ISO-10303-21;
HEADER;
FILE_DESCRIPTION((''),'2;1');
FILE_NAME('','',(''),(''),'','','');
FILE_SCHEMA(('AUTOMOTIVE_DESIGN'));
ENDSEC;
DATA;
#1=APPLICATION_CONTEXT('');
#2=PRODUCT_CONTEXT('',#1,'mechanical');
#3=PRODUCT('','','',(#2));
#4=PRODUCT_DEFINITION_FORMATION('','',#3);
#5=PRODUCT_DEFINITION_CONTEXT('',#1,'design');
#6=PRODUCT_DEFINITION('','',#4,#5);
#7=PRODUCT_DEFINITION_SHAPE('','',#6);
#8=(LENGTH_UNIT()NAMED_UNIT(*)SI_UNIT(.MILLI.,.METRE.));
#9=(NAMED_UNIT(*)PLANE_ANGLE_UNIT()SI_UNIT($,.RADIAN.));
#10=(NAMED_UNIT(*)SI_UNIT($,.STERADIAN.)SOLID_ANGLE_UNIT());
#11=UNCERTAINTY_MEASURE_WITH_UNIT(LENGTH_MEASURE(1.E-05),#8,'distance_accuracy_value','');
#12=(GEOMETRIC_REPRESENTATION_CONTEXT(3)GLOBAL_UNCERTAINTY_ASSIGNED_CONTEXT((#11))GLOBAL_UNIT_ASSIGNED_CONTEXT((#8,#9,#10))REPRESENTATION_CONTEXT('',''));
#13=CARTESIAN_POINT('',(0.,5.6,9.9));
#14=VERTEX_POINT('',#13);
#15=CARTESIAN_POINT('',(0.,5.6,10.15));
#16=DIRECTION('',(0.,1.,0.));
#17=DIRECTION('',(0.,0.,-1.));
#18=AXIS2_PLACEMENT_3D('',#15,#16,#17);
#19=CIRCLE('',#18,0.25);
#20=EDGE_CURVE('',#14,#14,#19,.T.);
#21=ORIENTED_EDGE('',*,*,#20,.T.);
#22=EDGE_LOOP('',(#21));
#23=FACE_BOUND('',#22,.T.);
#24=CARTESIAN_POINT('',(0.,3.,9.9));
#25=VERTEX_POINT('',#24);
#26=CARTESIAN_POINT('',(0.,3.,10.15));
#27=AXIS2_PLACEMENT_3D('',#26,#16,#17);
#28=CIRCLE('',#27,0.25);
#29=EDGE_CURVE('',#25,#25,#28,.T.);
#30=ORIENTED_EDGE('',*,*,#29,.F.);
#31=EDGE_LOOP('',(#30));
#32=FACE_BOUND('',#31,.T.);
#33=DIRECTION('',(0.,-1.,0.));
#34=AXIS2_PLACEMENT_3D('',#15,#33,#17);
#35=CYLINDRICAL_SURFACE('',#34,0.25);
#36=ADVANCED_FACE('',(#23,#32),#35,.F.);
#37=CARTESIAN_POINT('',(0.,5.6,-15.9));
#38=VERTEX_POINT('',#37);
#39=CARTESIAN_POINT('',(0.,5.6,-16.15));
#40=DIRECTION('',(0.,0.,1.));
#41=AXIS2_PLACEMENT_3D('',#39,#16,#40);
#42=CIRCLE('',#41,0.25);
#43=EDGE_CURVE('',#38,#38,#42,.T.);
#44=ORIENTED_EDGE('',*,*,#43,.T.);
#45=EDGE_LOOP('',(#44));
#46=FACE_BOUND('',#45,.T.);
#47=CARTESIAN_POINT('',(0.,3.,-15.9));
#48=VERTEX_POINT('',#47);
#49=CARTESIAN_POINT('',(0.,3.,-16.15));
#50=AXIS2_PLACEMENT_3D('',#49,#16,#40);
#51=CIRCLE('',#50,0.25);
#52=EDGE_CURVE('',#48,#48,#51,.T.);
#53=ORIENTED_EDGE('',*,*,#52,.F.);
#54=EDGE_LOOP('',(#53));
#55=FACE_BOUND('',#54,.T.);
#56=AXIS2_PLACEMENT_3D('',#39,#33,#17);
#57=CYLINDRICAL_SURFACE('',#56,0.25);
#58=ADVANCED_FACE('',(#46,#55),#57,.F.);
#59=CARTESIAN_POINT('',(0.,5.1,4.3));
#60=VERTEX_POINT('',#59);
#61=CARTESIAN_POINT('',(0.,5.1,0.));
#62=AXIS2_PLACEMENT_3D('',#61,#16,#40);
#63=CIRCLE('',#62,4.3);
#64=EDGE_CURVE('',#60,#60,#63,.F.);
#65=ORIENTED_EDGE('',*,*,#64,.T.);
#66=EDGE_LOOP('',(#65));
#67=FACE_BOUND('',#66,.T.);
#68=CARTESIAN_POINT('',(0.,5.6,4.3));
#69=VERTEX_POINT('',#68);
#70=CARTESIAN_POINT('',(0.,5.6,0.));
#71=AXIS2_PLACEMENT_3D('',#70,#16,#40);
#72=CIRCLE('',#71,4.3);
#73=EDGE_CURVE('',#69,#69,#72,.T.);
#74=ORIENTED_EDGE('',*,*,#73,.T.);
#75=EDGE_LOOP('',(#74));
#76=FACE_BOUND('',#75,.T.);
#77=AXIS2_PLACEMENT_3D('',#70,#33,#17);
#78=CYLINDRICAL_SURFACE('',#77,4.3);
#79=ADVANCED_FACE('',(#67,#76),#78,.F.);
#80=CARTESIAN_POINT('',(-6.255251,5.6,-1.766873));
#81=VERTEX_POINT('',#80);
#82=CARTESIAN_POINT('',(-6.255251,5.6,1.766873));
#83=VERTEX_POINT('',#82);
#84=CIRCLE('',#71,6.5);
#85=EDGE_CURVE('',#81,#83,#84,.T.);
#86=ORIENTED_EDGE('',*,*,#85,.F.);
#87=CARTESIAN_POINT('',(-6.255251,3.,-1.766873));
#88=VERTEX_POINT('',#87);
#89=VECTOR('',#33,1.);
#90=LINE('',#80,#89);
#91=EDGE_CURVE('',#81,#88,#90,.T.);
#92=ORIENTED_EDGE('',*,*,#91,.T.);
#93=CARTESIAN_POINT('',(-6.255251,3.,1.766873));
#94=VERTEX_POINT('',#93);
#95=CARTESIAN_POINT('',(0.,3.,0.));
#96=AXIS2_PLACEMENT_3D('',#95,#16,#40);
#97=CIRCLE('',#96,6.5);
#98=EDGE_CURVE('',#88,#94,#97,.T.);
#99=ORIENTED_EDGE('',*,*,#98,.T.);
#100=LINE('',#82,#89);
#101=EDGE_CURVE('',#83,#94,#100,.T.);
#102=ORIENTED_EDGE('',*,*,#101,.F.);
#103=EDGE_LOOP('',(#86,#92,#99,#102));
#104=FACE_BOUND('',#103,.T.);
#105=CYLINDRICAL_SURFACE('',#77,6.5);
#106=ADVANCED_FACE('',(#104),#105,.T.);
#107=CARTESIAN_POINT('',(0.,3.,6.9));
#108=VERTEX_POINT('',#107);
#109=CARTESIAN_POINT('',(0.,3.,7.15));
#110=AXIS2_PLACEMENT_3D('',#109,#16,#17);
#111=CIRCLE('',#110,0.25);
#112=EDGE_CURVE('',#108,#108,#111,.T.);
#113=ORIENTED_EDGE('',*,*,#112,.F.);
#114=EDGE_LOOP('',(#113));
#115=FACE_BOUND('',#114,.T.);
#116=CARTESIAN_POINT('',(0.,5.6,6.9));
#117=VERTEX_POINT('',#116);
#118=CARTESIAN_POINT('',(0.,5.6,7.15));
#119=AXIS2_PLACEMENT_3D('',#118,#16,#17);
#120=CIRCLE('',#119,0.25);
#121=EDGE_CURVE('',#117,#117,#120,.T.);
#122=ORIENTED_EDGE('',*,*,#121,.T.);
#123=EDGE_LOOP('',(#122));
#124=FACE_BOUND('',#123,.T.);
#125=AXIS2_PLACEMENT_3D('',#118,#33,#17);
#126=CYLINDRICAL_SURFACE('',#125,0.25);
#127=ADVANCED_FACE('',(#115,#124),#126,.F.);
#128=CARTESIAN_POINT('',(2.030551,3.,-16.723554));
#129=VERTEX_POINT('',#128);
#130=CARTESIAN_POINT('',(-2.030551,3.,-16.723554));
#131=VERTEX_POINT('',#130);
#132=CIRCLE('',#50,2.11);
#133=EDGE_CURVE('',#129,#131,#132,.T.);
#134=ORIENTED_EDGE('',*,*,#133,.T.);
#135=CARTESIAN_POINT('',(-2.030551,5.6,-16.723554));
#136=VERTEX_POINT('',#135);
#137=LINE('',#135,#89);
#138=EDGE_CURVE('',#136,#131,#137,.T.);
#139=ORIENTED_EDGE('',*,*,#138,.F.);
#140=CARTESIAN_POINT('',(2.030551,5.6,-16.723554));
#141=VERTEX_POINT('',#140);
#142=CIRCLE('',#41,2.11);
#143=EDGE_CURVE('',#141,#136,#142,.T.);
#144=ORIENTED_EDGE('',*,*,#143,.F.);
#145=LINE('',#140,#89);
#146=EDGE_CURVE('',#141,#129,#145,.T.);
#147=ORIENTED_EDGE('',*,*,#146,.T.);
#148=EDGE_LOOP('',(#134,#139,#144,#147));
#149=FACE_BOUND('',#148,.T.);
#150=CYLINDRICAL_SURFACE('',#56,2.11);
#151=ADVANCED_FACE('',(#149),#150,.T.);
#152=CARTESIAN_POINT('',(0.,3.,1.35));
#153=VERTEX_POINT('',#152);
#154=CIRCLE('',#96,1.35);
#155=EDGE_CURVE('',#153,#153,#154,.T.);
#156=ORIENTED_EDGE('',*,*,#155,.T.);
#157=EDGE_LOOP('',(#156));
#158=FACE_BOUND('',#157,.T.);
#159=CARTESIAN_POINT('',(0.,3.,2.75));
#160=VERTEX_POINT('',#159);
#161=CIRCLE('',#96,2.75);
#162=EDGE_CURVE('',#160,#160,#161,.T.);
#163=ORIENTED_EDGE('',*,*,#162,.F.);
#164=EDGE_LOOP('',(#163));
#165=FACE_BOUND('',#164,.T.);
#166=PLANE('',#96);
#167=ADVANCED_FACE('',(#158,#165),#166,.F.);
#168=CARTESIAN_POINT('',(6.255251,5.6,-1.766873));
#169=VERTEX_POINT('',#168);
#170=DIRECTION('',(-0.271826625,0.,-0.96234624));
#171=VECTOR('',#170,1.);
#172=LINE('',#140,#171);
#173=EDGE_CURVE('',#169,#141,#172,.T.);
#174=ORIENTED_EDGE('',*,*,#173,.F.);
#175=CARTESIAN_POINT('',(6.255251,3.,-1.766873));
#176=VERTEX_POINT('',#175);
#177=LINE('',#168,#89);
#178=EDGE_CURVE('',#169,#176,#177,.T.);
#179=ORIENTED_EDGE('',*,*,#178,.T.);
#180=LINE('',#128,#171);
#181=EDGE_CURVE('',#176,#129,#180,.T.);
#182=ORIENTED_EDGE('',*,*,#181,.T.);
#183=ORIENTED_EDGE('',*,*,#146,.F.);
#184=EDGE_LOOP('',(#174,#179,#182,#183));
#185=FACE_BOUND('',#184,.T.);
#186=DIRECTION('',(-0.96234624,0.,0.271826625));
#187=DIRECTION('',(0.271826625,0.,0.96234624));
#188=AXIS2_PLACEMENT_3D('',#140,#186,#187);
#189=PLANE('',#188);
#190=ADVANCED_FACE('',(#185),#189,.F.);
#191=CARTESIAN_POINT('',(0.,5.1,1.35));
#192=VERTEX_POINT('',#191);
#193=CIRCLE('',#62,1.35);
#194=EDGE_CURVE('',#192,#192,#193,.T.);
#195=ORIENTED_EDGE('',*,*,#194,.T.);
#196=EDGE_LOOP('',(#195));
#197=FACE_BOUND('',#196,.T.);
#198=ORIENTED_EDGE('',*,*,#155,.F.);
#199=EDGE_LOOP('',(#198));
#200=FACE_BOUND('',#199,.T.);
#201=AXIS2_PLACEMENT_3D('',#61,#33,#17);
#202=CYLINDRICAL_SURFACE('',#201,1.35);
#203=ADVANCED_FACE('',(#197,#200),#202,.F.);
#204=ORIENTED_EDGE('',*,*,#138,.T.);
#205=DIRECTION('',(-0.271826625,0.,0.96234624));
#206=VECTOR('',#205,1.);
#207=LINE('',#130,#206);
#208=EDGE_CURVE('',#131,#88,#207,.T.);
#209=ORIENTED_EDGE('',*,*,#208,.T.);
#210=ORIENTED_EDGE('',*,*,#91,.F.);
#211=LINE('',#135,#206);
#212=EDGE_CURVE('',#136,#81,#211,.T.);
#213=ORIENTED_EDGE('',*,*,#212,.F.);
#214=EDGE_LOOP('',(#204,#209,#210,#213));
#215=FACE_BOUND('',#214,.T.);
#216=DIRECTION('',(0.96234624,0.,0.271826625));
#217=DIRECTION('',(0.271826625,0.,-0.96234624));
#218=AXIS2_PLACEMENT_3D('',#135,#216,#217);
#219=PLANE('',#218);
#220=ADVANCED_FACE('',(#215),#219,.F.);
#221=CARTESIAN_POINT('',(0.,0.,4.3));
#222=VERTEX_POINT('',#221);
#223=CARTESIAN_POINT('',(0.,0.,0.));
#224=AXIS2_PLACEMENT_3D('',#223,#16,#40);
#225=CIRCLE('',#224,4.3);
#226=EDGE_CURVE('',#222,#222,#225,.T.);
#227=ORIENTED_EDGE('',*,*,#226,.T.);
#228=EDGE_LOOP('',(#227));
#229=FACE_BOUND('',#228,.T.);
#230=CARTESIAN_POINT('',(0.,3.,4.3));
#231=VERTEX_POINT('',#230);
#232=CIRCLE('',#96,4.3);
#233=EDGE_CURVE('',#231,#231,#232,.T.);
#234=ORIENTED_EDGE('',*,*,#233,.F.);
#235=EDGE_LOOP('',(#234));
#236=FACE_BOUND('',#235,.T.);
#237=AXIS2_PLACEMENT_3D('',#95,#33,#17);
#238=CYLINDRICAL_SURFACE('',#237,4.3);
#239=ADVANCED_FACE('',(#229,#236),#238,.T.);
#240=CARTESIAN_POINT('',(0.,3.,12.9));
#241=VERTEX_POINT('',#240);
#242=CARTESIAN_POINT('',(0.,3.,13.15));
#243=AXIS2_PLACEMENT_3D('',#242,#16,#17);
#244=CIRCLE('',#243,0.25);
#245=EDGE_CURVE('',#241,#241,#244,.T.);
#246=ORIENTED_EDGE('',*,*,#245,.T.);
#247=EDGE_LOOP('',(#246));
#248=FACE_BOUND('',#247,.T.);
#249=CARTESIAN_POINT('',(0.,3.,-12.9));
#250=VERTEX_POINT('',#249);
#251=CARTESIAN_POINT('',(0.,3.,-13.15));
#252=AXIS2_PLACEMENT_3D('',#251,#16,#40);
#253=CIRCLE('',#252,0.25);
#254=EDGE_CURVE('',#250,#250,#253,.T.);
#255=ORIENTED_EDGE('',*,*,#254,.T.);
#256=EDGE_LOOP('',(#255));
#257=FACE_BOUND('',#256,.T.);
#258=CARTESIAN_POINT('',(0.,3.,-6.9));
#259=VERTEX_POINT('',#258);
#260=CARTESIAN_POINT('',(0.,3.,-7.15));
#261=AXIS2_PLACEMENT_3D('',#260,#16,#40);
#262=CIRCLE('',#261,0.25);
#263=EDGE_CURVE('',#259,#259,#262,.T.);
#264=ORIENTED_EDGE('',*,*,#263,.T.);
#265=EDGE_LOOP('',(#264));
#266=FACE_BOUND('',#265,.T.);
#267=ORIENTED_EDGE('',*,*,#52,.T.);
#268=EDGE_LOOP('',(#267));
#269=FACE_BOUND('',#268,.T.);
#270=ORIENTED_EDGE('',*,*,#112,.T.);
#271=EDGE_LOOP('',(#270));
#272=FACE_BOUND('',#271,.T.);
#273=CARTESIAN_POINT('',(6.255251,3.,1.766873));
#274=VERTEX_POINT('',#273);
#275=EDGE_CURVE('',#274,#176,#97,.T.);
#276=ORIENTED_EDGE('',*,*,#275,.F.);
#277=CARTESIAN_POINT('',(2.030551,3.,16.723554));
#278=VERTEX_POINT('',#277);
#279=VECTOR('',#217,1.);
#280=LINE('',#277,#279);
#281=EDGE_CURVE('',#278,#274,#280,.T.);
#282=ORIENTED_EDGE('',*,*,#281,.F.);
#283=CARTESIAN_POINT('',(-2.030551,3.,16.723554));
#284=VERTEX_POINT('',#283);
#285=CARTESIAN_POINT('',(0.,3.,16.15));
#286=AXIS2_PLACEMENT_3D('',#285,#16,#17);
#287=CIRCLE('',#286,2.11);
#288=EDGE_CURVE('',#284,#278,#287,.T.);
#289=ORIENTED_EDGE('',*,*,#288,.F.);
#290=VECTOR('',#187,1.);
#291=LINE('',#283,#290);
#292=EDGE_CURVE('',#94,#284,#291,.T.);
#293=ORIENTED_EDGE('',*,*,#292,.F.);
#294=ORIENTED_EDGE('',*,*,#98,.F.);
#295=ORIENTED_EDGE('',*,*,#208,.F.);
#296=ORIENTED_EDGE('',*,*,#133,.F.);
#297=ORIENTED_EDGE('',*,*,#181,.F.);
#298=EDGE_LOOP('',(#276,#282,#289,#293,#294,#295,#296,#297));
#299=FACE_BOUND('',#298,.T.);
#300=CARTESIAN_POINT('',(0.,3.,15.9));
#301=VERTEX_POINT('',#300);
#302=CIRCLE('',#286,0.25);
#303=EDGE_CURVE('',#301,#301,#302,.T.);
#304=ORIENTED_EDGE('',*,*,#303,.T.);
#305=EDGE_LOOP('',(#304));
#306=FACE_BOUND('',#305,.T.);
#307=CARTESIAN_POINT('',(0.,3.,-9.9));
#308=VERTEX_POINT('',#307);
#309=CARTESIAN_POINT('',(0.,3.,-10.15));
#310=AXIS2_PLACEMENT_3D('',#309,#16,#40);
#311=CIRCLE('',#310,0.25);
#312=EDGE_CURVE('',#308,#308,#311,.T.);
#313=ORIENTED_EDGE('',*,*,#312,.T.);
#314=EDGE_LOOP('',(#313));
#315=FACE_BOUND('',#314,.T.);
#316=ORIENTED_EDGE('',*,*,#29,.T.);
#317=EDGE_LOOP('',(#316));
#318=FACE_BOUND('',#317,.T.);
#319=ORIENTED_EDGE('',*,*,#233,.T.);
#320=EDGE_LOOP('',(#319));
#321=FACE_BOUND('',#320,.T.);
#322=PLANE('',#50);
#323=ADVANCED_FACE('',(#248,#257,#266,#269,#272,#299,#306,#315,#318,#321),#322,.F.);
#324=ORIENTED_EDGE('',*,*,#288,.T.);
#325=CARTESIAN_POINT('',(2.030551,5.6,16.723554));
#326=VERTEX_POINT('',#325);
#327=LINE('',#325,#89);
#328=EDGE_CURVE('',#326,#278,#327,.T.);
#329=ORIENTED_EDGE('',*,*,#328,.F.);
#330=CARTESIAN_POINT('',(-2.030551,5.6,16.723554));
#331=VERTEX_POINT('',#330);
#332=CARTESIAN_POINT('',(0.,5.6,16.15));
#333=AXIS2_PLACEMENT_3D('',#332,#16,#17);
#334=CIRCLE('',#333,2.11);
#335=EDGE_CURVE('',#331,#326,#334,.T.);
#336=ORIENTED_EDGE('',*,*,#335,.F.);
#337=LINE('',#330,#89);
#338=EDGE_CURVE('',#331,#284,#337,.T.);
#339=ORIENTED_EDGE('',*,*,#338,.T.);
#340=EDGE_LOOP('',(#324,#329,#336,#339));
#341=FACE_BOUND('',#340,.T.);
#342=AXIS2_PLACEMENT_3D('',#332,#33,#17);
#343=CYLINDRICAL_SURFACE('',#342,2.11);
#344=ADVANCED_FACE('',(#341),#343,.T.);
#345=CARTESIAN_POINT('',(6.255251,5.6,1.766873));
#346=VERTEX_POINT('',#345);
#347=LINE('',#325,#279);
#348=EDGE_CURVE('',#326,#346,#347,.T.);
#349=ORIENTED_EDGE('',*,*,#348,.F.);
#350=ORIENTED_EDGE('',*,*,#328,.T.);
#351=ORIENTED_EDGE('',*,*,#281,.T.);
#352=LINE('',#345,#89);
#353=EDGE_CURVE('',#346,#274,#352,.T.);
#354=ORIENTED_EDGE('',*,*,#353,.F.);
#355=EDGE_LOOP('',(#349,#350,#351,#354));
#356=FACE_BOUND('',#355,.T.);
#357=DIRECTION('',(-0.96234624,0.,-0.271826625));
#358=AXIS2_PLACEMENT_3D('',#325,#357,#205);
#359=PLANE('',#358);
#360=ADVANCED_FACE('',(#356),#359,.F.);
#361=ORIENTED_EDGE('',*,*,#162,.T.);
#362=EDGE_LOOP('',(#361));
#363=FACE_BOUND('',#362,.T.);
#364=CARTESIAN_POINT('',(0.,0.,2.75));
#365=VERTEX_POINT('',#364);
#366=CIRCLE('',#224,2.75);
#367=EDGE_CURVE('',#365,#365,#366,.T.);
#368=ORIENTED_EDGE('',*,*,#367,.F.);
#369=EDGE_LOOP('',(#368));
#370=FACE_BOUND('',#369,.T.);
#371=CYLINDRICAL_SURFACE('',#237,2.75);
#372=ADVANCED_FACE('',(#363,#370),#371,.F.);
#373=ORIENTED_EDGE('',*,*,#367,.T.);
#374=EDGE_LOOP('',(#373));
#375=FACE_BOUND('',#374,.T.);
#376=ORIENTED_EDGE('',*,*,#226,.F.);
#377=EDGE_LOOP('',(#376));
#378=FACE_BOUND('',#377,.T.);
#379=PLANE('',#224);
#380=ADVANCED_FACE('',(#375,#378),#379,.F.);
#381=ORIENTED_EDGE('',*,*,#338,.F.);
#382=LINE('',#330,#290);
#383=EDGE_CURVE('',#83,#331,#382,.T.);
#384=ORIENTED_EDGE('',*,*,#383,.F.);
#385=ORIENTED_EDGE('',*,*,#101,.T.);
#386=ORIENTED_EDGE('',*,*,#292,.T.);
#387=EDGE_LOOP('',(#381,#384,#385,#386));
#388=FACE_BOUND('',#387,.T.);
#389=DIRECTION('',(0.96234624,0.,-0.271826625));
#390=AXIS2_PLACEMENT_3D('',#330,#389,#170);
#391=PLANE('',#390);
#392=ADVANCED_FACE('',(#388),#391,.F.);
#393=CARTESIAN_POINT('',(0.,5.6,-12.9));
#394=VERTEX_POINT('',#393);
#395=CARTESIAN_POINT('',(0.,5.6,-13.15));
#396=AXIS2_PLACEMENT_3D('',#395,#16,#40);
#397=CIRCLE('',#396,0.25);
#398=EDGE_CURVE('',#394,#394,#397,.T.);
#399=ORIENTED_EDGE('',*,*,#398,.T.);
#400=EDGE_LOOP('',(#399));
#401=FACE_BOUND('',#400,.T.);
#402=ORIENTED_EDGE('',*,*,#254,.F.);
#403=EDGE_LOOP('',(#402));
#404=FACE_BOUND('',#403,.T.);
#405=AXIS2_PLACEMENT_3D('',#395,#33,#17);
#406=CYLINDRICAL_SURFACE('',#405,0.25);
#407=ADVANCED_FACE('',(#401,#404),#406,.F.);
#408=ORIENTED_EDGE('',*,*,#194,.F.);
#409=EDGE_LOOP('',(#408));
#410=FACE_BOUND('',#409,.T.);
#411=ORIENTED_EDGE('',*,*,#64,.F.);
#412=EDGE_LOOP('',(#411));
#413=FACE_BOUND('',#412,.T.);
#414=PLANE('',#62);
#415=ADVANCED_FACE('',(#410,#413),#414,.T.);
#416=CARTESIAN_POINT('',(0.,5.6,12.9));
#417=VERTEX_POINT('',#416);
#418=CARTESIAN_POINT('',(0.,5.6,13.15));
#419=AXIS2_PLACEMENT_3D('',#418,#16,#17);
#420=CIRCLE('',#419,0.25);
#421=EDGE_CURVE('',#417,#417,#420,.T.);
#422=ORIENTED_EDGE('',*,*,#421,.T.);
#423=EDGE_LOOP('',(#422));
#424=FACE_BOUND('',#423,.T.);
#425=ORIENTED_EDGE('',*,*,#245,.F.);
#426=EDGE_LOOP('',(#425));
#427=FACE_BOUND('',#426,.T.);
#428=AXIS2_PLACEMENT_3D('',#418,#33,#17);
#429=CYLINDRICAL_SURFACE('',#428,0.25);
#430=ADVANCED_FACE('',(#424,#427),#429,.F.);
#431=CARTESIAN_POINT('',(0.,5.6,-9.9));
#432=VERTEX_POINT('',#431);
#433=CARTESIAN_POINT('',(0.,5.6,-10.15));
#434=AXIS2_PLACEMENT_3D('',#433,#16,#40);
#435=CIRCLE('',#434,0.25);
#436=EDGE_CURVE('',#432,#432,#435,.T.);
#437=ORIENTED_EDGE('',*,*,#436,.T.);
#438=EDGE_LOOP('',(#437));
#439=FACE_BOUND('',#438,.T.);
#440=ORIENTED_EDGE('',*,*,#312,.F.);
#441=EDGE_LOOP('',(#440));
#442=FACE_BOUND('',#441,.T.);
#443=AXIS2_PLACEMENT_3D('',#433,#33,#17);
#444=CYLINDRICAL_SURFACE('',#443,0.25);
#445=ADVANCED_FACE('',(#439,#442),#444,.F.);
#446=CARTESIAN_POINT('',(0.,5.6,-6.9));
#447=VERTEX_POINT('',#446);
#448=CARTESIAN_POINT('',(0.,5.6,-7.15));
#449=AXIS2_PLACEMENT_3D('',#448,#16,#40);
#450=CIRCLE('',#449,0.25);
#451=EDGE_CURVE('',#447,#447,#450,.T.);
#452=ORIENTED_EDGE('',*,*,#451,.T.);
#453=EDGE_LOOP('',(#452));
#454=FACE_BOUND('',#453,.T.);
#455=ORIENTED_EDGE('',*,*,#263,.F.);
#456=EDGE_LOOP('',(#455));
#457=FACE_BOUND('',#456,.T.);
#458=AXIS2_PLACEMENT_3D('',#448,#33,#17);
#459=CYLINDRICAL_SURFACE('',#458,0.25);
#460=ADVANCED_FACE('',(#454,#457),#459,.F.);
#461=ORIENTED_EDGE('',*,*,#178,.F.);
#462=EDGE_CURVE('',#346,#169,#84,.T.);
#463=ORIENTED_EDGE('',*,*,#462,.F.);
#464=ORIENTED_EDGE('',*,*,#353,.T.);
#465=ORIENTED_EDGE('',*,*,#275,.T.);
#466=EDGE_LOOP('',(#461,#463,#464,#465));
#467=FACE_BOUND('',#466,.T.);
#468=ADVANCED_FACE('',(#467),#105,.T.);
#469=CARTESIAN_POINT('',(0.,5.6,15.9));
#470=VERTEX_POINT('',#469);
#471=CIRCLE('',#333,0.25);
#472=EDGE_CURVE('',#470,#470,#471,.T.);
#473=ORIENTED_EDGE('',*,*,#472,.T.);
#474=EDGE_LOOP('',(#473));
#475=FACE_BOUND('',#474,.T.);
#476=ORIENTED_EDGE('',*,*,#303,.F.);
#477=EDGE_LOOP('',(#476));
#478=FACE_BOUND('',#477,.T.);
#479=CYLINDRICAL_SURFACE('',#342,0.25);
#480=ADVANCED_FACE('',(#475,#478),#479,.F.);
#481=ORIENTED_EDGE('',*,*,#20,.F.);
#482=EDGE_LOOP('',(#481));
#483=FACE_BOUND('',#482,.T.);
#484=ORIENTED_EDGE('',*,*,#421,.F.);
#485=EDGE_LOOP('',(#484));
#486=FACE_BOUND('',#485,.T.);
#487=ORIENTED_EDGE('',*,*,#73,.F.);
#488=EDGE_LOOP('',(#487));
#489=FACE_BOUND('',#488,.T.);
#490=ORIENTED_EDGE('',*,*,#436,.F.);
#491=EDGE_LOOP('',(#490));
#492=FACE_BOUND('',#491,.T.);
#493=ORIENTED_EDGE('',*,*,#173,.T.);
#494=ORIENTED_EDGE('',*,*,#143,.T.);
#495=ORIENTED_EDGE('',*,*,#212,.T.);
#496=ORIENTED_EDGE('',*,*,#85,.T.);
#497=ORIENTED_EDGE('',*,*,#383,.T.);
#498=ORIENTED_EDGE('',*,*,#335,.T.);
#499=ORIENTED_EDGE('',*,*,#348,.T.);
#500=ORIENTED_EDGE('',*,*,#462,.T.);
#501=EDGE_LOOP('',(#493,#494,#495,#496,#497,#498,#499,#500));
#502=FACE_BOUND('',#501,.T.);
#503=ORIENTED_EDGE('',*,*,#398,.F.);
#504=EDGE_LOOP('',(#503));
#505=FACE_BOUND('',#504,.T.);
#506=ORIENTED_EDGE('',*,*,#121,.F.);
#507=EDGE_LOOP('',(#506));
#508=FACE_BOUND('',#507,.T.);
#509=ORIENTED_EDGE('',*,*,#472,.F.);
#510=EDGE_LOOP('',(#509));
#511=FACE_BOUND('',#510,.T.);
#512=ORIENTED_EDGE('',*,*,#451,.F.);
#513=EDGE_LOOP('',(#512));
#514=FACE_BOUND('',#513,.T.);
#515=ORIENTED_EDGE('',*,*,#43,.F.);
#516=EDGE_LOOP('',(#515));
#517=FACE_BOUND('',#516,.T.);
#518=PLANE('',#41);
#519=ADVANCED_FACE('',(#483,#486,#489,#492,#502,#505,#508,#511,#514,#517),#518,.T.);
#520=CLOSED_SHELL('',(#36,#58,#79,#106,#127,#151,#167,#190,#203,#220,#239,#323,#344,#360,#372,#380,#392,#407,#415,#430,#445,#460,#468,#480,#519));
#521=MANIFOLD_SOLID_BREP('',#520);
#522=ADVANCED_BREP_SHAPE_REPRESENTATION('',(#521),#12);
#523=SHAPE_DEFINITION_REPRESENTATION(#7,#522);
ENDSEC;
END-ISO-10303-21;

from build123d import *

# Parameters (mm, degrees)
SKETCH2_R                = 4.3
SKETCH2_R_2              = 2.75
BOSS_EXTRUDE1_DEPTH      = 3
SKETCH3_R                = 4.3
SKETCH3_R_2              = 1.35
BOSS_EXTRUDE2_DEPTH      = 2.1
BOSS_EXTRUDE3_DEPTH      = 0.5
BOSS_EXTRUDE3_DEPTH_BACK = 2.1
SKETCH4_R                = 4.3
SKETCH4_R_2              = 0.25


with BuildPart() as part:
    # Sketch2 → Boss-Extrude1 (new body)
    with BuildSketch(Plane(origin=(0, 0, 0), x_dir=(1, 0, 0), z_dir=(0, 1, 0))):
        with Locations(Location((0, 0, 0), (0, 0, 270))):
            Circle(SKETCH2_R)
        with Locations(Location((0, 0, 0), (0, 0, 270))):
            Circle(SKETCH2_R_2, mode=Mode.SUBTRACT)
    extrude(amount=BOSS_EXTRUDE1_DEPTH)



with BuildPart() as body_2:
    # Sketch3 → Boss-Extrude2 (new body)
    with BuildSketch(Plane(origin=(0, 3, 0), x_dir=(1, 0, 0), z_dir=(0, 1, 0))):
        with Locations(Location((0, 0, 0), (0, 0, 270))):
            Circle(SKETCH3_R)
        with Locations(Location((0, 0, 0), (0, 0, 270))):
            Circle(SKETCH3_R_2, mode=Mode.SUBTRACT)
    extrude(amount=BOSS_EXTRUDE2_DEPTH)


with BuildPart() as part_1:
    add(part.part)

    add(body_2.part)  # Boss-Extrude3 merges body 2
    # Sketch4 → Boss-Extrude3 (add, two sides: drawn at the far end of the back side and taken through both)
    with BuildSketch(Plane(origin=(0, 5.1, 0), x_dir=(1, 0, 0), z_dir=(0, 1, 0)).offset(-BOSS_EXTRUDE3_DEPTH_BACK)):
        with BuildLine():
            Line((-2.030550566, 16.72355418), (-6.25525056, 1.766873065))
            ThreePointArc((-6.25525056, 1.766873065), (-6.5, 0), (-6.25525056, -1.766873065))
            Line((-6.25525056, -1.766873065), (-2.030550566, -16.72355418))
            ThreePointArc((-2.030550566, -16.72355418), (0, -18.26), (2.030550566, -16.72355418))
            Line((2.030550566, -16.72355418), (6.25525056, -1.766873065))
            ThreePointArc((6.25525056, -1.766873065), (6.5, 0), (6.25525056, 1.766873065))
            Line((6.25525056, 1.766873065), (2.030550566, 16.72355418))
            ThreePointArc((2.030550566, 16.72355418), (0, 18.26), (-2.030550566, 16.72355418))
        make_face()
        with Locations(Location((0, 0, 0), (0, 0, 270))):
            Circle(SKETCH4_R, mode=Mode.SUBTRACT)
        with Locations(Location((0, 16.15, 0), (0, 0, 270))):
            Circle(SKETCH4_R_2, mode=Mode.SUBTRACT)
        with Locations(Location((0, 13.15, 0), (0, 0, 270))):
            Circle(SKETCH4_R_2, mode=Mode.SUBTRACT)
        with Locations(Location((0, 10.15, 0), (0, 0, 270))):
            Circle(SKETCH4_R_2, mode=Mode.SUBTRACT)
        with Locations(Location((0, 7.15, 0), (0, 0, 270))):
            Circle(SKETCH4_R_2, mode=Mode.SUBTRACT)
        with Locations(Location((0, -7.15, 0), (0, 0, 90))):
            Circle(SKETCH4_R_2, mode=Mode.SUBTRACT)
        with Locations(Location((0, -10.15, 0), (0, 0, 90))):
            Circle(SKETCH4_R_2, mode=Mode.SUBTRACT)
        with Locations(Location((0, -13.15, 0), (0, 0, 90))):
            Circle(SKETCH4_R_2, mode=Mode.SUBTRACT)
        with Locations(Location((0, -16.15, 0), (0, 0, 90))):
            Circle(SKETCH4_R_2, mode=Mode.SUBTRACT)
    extrude(amount=BOSS_EXTRUDE3_DEPTH + BOSS_EXTRUDE3_DEPTH_BACK)


solid = part_1.part
